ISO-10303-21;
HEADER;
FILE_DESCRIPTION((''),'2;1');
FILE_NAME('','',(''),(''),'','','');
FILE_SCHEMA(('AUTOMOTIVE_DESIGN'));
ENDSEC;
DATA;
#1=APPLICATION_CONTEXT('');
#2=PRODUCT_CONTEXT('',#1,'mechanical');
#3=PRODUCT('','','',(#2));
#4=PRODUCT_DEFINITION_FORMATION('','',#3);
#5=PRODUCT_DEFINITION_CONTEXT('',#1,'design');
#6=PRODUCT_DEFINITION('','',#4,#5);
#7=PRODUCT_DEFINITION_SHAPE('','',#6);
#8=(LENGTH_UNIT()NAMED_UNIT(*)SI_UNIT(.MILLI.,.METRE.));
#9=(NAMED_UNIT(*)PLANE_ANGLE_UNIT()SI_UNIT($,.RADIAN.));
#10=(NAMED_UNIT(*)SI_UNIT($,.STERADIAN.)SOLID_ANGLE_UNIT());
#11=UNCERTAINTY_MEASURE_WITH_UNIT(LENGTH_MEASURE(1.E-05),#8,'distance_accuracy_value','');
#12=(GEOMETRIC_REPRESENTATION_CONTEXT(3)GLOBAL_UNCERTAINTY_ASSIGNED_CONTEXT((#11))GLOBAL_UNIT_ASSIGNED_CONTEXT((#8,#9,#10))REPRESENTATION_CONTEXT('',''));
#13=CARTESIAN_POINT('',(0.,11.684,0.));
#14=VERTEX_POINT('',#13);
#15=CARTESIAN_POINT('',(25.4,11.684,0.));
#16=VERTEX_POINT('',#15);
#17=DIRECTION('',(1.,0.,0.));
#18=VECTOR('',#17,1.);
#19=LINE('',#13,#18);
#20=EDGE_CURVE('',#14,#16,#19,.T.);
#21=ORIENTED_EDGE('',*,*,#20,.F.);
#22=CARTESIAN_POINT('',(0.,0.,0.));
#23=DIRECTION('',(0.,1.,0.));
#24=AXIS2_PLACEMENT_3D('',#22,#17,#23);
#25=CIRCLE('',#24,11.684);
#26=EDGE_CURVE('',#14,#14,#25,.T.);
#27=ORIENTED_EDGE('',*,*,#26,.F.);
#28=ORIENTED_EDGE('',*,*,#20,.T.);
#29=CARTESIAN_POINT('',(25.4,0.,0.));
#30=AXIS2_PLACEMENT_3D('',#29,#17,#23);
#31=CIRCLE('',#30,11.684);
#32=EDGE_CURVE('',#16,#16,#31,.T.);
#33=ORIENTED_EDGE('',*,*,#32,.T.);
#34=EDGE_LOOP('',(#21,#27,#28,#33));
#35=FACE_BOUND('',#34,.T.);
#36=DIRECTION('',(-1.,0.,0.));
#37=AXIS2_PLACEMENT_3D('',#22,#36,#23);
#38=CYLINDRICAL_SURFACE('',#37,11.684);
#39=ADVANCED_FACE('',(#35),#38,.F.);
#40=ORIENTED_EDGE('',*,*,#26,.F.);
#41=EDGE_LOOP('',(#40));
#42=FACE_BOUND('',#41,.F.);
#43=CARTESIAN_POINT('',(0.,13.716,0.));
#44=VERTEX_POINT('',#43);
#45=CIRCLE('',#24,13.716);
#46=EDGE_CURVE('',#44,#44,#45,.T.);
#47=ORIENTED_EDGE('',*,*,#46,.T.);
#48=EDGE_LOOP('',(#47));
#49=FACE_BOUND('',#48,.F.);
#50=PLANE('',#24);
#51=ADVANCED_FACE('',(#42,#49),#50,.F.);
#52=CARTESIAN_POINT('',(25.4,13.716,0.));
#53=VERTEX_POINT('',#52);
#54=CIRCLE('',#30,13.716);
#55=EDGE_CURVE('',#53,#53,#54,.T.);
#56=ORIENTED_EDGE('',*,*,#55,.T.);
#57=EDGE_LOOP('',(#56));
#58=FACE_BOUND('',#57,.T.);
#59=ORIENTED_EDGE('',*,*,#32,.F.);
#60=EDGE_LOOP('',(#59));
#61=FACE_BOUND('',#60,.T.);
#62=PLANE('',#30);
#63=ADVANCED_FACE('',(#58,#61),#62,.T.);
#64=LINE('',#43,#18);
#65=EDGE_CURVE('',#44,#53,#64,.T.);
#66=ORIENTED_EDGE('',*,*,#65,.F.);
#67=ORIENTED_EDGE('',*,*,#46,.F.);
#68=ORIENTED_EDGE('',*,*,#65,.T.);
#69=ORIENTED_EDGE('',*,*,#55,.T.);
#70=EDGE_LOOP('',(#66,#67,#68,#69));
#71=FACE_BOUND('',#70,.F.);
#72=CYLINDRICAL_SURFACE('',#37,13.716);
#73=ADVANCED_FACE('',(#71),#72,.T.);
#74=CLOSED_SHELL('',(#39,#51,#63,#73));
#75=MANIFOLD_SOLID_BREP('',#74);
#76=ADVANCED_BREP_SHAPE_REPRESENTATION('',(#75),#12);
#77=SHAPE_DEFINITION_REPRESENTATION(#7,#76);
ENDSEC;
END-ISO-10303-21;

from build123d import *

# Parameters (mm, degrees)
SKETCH_R   = 13.716
SKETCH_R_2 = 11.684
PAD_DEPTH  = 25.4


with BuildPart() as part:
    # Sketch → Pad (new body)
    with BuildSketch(Plane.YZ):
        Circle(SKETCH_R)
        Circle(SKETCH_R_2, mode=Mode.SUBTRACT)
    extrude(amount=PAD_DEPTH)


solid = part.part
